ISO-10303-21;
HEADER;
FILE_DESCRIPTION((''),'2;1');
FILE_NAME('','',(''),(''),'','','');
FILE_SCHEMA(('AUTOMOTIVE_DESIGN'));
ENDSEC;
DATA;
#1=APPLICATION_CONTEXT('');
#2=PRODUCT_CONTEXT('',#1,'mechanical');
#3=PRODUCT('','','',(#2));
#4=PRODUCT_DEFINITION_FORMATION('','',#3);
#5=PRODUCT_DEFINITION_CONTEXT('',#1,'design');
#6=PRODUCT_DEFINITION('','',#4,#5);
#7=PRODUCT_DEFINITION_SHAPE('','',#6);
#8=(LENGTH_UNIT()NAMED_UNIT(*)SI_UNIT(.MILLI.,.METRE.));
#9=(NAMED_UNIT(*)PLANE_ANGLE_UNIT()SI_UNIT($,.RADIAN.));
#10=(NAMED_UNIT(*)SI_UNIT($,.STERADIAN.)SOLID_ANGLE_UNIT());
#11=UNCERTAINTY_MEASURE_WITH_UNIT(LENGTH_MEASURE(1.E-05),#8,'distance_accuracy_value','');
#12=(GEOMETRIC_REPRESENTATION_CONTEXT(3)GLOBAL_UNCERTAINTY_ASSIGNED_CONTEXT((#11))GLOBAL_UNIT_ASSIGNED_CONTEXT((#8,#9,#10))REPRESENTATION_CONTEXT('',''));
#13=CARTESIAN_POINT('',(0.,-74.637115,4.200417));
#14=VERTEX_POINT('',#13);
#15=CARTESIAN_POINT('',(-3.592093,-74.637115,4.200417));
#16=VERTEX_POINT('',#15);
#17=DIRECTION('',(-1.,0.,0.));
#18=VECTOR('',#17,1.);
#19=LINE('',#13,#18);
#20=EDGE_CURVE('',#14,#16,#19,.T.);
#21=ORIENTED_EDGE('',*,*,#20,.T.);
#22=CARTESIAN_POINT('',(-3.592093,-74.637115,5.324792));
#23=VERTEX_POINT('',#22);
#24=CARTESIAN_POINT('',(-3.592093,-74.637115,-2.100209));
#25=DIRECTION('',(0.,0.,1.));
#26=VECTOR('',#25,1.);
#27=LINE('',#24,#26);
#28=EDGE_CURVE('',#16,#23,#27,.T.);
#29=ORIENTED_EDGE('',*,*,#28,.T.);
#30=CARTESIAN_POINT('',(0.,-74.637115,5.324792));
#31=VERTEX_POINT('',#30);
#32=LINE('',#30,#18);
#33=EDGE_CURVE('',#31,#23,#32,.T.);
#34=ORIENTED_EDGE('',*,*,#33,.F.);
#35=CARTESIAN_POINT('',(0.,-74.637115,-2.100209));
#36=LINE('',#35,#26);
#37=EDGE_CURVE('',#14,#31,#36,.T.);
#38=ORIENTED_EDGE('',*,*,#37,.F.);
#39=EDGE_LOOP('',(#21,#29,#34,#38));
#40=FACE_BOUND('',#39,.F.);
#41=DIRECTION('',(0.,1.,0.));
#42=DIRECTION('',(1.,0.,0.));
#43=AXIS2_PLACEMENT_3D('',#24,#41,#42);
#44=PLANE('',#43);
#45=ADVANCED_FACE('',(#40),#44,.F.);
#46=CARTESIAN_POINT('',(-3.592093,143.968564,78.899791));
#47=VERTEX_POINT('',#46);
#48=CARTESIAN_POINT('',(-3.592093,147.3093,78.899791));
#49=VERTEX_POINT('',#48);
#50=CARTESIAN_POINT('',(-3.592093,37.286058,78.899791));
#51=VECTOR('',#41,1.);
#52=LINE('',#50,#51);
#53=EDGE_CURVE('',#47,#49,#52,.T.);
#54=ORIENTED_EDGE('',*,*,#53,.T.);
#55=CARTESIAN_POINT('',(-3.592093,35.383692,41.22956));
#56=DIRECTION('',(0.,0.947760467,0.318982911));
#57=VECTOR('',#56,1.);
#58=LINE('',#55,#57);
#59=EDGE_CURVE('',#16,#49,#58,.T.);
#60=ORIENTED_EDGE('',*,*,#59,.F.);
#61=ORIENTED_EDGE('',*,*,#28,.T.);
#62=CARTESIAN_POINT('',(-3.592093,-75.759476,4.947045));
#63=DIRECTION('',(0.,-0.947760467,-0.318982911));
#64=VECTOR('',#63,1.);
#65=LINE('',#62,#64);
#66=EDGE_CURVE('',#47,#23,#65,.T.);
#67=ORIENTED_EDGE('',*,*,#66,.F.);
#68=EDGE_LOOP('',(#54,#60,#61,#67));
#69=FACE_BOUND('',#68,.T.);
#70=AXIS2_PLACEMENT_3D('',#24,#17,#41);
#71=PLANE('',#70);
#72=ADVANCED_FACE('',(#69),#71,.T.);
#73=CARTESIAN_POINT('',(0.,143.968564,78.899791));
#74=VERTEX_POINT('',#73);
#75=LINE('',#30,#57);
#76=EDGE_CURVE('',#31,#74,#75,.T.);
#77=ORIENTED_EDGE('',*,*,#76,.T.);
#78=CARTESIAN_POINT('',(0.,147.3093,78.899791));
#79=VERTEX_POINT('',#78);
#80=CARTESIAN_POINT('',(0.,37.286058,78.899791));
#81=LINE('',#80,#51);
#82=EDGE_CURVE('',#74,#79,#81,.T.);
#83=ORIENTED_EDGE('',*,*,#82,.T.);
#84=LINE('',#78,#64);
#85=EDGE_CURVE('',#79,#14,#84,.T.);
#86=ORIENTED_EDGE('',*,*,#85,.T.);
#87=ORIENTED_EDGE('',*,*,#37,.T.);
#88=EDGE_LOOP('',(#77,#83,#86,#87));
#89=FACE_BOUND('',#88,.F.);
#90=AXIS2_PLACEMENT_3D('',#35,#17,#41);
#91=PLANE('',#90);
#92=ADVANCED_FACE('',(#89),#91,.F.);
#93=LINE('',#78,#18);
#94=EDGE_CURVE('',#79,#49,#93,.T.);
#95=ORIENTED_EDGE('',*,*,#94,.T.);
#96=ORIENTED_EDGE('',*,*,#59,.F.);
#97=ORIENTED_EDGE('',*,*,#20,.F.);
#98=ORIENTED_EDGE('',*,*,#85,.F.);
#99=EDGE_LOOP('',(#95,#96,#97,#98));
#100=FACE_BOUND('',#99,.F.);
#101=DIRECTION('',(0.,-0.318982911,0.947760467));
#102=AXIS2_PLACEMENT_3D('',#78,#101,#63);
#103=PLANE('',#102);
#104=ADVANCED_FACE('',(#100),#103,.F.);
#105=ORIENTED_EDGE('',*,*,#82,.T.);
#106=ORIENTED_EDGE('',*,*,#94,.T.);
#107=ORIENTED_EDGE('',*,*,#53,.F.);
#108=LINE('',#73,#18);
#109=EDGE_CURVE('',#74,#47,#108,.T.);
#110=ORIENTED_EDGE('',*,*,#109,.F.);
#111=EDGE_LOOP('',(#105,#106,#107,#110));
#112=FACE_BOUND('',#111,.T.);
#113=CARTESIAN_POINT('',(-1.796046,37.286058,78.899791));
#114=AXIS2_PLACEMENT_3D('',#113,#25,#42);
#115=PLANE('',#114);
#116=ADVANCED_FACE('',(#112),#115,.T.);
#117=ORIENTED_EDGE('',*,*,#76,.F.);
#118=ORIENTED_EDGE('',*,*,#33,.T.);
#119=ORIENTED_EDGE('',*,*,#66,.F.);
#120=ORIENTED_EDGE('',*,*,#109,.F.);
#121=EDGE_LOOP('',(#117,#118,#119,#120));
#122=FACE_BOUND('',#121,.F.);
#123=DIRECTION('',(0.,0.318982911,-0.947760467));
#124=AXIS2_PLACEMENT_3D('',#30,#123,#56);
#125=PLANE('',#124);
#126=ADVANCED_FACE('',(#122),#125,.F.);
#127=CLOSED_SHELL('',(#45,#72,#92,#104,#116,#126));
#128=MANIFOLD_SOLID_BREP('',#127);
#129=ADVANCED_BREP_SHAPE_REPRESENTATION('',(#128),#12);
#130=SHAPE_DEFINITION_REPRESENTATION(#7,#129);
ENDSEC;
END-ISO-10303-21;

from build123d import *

# Parameters (mm, degrees)
F0_W     = 2.3947283626
F0_H     = 149.2308974266
F1_DEPTH = 54
F3_DEPTH = 25
F4_SCALE = 1.5


with BuildPart() as f1:
    # F0 (on Top) → F1 (new body)
    with BuildSketch(Plane.XY):
        with Locations((-1.1973641813, -0.0216662884)):
            Rectangle(F0_W, F0_H)
    extrude(amount=F1_DEPTH)

    # F2 (on face) → F3 (cut)
    with BuildSketch(Plane.YZ):
        Polygon((-74.6371150017, 54), (-74.6371150017, 4.9500004388), (71.1000040174, 54), align=None)
        Polygon((73.3271613717, 54), (-74.6371150017, 4.2004174363), (-74.6371150017, 0), (74.5937824249, 0), (74.5937824249, 54), align=None)
    extrude(amount=-F3_DEPTH, mode=Mode.SUBTRACT)


with BuildPart() as f1_1:
    # F4: moved
    add(f1.part.scale(F4_SCALE).moved(Location((0, 37.3185575008, -2.1002087182))))


solid = f1_1.part
